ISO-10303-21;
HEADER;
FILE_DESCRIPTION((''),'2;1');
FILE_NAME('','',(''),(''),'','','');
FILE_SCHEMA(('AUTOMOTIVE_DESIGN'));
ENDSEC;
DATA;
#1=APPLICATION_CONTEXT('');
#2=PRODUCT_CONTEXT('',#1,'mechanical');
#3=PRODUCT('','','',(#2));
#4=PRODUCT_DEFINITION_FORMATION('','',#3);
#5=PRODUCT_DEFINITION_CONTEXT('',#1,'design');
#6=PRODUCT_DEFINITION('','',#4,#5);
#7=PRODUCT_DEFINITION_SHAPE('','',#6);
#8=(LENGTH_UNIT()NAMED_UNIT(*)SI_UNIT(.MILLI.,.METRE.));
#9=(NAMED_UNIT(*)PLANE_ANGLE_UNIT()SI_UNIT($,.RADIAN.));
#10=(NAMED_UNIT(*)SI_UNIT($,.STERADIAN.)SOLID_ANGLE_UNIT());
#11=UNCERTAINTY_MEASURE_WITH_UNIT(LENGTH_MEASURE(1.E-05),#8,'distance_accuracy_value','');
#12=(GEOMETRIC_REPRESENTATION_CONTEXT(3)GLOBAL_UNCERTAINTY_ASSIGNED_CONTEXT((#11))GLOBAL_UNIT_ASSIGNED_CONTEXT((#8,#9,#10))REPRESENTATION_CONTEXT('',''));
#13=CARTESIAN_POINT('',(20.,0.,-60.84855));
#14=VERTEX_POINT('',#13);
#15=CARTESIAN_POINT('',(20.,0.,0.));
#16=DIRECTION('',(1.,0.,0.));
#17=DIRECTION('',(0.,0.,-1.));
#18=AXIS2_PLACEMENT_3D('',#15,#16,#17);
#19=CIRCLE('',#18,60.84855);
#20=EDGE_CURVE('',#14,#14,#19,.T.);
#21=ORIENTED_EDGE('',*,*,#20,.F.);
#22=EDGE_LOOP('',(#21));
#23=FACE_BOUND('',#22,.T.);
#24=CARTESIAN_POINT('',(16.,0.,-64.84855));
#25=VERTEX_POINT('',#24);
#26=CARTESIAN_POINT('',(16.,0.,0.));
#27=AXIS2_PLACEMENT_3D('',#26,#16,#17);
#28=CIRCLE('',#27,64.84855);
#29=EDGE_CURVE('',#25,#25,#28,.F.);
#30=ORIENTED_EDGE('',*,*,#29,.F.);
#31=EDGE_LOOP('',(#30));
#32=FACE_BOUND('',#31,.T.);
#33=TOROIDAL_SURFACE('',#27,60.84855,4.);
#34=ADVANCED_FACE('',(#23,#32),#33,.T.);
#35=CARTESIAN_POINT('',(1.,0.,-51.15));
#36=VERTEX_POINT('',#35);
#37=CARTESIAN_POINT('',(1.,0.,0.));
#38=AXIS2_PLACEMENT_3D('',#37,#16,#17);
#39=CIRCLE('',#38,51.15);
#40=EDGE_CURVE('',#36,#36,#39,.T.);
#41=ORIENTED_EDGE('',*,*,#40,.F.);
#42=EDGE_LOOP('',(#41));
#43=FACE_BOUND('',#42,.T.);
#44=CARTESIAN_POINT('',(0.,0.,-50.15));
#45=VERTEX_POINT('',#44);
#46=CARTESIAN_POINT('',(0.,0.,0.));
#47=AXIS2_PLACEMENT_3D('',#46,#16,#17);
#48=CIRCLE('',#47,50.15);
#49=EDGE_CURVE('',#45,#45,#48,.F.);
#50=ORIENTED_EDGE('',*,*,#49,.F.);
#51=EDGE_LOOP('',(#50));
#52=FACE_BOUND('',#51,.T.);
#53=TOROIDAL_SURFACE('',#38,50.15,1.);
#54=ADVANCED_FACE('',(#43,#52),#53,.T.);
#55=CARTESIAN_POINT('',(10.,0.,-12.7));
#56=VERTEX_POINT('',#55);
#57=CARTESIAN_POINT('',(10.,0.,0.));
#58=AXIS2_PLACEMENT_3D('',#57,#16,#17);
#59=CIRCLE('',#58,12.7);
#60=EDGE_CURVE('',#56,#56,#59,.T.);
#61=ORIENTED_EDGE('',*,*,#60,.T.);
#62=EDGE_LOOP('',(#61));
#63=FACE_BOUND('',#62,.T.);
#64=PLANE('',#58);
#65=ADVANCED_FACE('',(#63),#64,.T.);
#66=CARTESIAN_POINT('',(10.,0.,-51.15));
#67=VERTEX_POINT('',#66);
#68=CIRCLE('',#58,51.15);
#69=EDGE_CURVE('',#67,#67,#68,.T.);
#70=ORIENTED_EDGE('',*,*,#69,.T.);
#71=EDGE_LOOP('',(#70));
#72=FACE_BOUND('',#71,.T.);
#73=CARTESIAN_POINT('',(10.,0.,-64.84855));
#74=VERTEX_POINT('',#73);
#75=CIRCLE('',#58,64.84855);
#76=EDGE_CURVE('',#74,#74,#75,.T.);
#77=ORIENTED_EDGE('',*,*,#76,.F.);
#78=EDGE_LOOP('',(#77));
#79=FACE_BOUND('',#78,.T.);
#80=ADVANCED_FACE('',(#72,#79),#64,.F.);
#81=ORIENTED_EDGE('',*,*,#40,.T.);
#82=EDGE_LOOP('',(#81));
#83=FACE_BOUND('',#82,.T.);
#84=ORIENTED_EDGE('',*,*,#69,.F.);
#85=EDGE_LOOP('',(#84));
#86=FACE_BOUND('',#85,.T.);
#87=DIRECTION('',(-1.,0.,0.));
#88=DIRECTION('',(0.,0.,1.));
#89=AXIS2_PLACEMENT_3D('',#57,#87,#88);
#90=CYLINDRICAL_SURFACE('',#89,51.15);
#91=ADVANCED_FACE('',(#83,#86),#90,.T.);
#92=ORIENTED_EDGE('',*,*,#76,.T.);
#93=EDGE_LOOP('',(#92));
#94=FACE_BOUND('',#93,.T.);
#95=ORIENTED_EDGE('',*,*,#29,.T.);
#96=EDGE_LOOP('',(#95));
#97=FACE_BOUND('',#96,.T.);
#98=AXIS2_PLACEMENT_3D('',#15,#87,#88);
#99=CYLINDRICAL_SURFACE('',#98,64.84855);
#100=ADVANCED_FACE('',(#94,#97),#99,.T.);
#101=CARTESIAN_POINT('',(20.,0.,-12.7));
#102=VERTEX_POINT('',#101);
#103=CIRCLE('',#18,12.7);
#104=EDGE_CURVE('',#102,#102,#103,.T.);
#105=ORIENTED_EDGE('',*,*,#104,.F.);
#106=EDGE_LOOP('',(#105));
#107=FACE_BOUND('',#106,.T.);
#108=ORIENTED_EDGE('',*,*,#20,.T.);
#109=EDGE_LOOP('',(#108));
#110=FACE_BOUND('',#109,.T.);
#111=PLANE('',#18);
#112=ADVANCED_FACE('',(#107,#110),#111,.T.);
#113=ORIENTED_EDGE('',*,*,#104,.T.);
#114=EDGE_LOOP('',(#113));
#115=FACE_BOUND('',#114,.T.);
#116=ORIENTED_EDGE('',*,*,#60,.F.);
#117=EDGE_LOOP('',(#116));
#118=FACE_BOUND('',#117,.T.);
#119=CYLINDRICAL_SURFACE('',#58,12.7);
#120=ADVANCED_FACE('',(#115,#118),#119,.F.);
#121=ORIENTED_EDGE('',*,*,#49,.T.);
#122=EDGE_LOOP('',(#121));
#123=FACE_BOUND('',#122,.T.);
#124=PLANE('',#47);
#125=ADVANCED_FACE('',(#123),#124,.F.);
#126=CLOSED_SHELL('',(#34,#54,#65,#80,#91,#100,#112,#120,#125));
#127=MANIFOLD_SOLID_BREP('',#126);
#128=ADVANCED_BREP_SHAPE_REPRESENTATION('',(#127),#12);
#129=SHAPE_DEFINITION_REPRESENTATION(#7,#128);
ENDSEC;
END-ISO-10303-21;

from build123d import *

# Parameters (mm, degrees)
SKETCH1_R           = 51.15
BOSS_EXTRUDE1_DEPTH = 10
SKETCH2_R           = 64.84855049
BOSS_EXTRUDE2_DEPTH = 10
SKETCH3_R           = 12.7
CUT_EXTRUDE1_DEPTH  = 10
FILLET1_R           = 1
FILLET2_R           = 4


with BuildPart() as part:
    # Sketch1 → Boss-Extrude1 (new body)
    with BuildSketch(Plane(origin=(0, 0, 0), x_dir=(0, 0, -1), z_dir=(1, 0, 0))):
        Circle(SKETCH1_R)
    extrude(amount=BOSS_EXTRUDE1_DEPTH)

    # Sketch2 → Boss-Extrude2 (add)
    with BuildSketch(Plane(origin=(10, 0, 0), x_dir=(0, 0, -1), z_dir=(1, 0, 0))):
        Circle(SKETCH2_R)
    extrude(amount=BOSS_EXTRUDE2_DEPTH)

    # Sketch3 → Cut-Extrude1 (cut)
    with BuildSketch(Plane(origin=(20, 0, 0), x_dir=(0, 0, -1), z_dir=(1, 0, 0))):
        Circle(SKETCH3_R)
    extrude(amount=-CUT_EXTRUDE1_DEPTH, mode=Mode.SUBTRACT)

    # Fillet1
    fillet1_edges = [part.edges().sort_by_distance(p)[0] for p in [
        (0, 0, 51.15),
    ]]
    fillet(fillet1_edges, radius=FILLET1_R)

    # Fillet2
    fillet2_edges = [part.edges().sort_by_distance(p)[0] for p in [
        (20, 0, 64.84855049),
    ]]
    fillet(fillet2_edges, radius=FILLET2_R)


solid = part.part
